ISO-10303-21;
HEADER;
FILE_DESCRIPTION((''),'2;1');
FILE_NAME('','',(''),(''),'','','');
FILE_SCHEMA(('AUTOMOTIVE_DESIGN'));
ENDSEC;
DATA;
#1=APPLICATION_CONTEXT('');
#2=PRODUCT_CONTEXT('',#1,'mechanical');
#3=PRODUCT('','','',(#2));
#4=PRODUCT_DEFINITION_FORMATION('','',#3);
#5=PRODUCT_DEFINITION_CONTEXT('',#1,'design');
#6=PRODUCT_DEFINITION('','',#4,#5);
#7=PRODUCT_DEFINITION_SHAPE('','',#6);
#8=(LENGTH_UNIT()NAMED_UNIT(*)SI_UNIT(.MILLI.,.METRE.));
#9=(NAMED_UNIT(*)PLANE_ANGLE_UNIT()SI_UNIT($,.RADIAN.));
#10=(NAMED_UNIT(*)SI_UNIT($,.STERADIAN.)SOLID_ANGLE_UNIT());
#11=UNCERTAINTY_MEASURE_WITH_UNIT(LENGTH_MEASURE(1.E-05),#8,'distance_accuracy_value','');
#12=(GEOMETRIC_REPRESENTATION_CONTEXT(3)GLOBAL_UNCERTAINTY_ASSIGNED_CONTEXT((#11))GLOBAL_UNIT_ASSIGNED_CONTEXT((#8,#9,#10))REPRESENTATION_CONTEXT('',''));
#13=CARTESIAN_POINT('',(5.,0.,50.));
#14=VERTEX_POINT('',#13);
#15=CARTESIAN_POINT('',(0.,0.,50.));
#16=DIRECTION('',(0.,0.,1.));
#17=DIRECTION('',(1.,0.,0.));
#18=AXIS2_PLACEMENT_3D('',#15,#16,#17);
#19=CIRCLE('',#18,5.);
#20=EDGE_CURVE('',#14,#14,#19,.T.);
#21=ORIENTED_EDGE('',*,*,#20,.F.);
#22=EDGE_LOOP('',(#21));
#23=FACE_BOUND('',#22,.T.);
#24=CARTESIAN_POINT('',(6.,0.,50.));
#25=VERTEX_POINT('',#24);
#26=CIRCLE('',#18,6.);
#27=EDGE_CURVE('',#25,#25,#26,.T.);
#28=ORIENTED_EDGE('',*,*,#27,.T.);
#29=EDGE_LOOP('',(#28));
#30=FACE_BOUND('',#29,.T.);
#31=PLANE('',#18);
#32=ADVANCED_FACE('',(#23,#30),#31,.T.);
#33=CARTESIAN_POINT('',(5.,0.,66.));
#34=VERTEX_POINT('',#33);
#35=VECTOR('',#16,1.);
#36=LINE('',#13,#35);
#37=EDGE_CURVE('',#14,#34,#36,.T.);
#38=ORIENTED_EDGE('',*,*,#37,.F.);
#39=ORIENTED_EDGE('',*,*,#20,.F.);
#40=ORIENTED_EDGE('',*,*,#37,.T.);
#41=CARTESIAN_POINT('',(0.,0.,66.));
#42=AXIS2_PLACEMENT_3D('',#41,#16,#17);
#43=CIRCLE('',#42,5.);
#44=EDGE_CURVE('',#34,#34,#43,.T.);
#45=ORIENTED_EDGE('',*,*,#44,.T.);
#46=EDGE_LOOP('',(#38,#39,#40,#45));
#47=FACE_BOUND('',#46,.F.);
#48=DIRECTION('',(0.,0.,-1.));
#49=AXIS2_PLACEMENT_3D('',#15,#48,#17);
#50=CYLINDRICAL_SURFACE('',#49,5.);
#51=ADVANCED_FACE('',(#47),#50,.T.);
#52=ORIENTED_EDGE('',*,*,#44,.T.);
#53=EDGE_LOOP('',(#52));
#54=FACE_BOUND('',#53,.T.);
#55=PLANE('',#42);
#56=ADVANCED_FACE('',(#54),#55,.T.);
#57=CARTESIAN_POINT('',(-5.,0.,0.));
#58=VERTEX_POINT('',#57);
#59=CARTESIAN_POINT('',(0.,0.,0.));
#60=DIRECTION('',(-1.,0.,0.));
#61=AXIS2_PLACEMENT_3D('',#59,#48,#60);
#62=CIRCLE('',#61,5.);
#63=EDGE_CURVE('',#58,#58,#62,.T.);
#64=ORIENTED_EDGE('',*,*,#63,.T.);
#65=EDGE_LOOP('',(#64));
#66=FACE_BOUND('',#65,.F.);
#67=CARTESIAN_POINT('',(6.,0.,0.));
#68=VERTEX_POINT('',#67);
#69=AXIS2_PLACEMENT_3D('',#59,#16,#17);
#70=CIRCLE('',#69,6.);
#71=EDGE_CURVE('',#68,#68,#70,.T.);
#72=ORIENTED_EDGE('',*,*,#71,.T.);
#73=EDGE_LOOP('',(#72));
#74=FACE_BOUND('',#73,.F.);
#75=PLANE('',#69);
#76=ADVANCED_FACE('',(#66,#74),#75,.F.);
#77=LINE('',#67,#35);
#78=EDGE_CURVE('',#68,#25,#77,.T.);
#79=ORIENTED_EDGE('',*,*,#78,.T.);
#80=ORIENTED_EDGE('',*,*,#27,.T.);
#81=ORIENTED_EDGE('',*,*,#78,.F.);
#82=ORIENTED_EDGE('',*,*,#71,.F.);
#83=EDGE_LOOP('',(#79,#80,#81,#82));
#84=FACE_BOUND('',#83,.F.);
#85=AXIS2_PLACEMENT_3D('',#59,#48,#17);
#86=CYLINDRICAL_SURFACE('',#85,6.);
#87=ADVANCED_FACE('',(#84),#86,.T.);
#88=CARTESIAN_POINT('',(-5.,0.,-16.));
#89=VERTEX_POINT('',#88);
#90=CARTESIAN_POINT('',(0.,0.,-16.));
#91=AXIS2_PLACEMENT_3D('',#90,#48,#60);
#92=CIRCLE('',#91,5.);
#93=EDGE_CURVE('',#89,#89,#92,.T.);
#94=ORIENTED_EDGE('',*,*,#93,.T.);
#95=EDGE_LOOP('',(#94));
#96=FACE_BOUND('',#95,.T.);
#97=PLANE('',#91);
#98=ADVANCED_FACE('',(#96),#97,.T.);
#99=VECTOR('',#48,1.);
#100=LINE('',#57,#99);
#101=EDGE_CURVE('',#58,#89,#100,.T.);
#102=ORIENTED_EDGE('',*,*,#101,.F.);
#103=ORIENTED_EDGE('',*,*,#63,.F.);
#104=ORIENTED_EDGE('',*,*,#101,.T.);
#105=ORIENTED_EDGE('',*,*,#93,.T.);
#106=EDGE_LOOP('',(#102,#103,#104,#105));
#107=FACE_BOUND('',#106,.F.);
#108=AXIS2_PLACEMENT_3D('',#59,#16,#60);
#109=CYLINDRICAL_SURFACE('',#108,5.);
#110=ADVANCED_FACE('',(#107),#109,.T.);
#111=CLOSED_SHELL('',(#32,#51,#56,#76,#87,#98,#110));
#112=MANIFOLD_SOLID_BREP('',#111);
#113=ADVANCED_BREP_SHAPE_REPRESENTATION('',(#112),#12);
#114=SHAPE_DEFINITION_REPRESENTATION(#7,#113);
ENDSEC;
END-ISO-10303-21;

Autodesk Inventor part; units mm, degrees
ref_plane "YZ Plane" through (0, 0, 0) normal (1, 0, 0) x (0, 1, 0)
ref_plane "XZ Plane" through (0, 0, 0) normal (0, 1, 0) x (-1, 0, 0)
ref_plane "XY Plane" through (0, 0, 0) normal (0, 0, 1) x (1, 0, 0)
sketch "Sketch1" plane through (0, 0, 0) normal (0, 0, 1) x (1, 0, 0)
  circle A0 centre (0, 0) radius 6
  dimension "d0" = 12
extrude "Extrusion1" add sketch "Sketch1" along normal blind 50
sketch "Sketch2" plane through (0, 0, 50) normal (0, 0, 1) x (1, 0, 0)
  circle A0 centre (0, 0) radius 5
  dimension "d3" = 10
extrude "Extrusion2" add sketch "Sketch2" along normal blind 16
sketch "Sketch3" plane through (0, 0, 0) normal (0, 0, -1) x (-1, 0, 0)
  circle A0 centre (0, 0) radius 5
  dimension "d6" = 10
extrude "Extrusion3" add sketch "Sketch3" along normal blind 16
properties part number "mi"
